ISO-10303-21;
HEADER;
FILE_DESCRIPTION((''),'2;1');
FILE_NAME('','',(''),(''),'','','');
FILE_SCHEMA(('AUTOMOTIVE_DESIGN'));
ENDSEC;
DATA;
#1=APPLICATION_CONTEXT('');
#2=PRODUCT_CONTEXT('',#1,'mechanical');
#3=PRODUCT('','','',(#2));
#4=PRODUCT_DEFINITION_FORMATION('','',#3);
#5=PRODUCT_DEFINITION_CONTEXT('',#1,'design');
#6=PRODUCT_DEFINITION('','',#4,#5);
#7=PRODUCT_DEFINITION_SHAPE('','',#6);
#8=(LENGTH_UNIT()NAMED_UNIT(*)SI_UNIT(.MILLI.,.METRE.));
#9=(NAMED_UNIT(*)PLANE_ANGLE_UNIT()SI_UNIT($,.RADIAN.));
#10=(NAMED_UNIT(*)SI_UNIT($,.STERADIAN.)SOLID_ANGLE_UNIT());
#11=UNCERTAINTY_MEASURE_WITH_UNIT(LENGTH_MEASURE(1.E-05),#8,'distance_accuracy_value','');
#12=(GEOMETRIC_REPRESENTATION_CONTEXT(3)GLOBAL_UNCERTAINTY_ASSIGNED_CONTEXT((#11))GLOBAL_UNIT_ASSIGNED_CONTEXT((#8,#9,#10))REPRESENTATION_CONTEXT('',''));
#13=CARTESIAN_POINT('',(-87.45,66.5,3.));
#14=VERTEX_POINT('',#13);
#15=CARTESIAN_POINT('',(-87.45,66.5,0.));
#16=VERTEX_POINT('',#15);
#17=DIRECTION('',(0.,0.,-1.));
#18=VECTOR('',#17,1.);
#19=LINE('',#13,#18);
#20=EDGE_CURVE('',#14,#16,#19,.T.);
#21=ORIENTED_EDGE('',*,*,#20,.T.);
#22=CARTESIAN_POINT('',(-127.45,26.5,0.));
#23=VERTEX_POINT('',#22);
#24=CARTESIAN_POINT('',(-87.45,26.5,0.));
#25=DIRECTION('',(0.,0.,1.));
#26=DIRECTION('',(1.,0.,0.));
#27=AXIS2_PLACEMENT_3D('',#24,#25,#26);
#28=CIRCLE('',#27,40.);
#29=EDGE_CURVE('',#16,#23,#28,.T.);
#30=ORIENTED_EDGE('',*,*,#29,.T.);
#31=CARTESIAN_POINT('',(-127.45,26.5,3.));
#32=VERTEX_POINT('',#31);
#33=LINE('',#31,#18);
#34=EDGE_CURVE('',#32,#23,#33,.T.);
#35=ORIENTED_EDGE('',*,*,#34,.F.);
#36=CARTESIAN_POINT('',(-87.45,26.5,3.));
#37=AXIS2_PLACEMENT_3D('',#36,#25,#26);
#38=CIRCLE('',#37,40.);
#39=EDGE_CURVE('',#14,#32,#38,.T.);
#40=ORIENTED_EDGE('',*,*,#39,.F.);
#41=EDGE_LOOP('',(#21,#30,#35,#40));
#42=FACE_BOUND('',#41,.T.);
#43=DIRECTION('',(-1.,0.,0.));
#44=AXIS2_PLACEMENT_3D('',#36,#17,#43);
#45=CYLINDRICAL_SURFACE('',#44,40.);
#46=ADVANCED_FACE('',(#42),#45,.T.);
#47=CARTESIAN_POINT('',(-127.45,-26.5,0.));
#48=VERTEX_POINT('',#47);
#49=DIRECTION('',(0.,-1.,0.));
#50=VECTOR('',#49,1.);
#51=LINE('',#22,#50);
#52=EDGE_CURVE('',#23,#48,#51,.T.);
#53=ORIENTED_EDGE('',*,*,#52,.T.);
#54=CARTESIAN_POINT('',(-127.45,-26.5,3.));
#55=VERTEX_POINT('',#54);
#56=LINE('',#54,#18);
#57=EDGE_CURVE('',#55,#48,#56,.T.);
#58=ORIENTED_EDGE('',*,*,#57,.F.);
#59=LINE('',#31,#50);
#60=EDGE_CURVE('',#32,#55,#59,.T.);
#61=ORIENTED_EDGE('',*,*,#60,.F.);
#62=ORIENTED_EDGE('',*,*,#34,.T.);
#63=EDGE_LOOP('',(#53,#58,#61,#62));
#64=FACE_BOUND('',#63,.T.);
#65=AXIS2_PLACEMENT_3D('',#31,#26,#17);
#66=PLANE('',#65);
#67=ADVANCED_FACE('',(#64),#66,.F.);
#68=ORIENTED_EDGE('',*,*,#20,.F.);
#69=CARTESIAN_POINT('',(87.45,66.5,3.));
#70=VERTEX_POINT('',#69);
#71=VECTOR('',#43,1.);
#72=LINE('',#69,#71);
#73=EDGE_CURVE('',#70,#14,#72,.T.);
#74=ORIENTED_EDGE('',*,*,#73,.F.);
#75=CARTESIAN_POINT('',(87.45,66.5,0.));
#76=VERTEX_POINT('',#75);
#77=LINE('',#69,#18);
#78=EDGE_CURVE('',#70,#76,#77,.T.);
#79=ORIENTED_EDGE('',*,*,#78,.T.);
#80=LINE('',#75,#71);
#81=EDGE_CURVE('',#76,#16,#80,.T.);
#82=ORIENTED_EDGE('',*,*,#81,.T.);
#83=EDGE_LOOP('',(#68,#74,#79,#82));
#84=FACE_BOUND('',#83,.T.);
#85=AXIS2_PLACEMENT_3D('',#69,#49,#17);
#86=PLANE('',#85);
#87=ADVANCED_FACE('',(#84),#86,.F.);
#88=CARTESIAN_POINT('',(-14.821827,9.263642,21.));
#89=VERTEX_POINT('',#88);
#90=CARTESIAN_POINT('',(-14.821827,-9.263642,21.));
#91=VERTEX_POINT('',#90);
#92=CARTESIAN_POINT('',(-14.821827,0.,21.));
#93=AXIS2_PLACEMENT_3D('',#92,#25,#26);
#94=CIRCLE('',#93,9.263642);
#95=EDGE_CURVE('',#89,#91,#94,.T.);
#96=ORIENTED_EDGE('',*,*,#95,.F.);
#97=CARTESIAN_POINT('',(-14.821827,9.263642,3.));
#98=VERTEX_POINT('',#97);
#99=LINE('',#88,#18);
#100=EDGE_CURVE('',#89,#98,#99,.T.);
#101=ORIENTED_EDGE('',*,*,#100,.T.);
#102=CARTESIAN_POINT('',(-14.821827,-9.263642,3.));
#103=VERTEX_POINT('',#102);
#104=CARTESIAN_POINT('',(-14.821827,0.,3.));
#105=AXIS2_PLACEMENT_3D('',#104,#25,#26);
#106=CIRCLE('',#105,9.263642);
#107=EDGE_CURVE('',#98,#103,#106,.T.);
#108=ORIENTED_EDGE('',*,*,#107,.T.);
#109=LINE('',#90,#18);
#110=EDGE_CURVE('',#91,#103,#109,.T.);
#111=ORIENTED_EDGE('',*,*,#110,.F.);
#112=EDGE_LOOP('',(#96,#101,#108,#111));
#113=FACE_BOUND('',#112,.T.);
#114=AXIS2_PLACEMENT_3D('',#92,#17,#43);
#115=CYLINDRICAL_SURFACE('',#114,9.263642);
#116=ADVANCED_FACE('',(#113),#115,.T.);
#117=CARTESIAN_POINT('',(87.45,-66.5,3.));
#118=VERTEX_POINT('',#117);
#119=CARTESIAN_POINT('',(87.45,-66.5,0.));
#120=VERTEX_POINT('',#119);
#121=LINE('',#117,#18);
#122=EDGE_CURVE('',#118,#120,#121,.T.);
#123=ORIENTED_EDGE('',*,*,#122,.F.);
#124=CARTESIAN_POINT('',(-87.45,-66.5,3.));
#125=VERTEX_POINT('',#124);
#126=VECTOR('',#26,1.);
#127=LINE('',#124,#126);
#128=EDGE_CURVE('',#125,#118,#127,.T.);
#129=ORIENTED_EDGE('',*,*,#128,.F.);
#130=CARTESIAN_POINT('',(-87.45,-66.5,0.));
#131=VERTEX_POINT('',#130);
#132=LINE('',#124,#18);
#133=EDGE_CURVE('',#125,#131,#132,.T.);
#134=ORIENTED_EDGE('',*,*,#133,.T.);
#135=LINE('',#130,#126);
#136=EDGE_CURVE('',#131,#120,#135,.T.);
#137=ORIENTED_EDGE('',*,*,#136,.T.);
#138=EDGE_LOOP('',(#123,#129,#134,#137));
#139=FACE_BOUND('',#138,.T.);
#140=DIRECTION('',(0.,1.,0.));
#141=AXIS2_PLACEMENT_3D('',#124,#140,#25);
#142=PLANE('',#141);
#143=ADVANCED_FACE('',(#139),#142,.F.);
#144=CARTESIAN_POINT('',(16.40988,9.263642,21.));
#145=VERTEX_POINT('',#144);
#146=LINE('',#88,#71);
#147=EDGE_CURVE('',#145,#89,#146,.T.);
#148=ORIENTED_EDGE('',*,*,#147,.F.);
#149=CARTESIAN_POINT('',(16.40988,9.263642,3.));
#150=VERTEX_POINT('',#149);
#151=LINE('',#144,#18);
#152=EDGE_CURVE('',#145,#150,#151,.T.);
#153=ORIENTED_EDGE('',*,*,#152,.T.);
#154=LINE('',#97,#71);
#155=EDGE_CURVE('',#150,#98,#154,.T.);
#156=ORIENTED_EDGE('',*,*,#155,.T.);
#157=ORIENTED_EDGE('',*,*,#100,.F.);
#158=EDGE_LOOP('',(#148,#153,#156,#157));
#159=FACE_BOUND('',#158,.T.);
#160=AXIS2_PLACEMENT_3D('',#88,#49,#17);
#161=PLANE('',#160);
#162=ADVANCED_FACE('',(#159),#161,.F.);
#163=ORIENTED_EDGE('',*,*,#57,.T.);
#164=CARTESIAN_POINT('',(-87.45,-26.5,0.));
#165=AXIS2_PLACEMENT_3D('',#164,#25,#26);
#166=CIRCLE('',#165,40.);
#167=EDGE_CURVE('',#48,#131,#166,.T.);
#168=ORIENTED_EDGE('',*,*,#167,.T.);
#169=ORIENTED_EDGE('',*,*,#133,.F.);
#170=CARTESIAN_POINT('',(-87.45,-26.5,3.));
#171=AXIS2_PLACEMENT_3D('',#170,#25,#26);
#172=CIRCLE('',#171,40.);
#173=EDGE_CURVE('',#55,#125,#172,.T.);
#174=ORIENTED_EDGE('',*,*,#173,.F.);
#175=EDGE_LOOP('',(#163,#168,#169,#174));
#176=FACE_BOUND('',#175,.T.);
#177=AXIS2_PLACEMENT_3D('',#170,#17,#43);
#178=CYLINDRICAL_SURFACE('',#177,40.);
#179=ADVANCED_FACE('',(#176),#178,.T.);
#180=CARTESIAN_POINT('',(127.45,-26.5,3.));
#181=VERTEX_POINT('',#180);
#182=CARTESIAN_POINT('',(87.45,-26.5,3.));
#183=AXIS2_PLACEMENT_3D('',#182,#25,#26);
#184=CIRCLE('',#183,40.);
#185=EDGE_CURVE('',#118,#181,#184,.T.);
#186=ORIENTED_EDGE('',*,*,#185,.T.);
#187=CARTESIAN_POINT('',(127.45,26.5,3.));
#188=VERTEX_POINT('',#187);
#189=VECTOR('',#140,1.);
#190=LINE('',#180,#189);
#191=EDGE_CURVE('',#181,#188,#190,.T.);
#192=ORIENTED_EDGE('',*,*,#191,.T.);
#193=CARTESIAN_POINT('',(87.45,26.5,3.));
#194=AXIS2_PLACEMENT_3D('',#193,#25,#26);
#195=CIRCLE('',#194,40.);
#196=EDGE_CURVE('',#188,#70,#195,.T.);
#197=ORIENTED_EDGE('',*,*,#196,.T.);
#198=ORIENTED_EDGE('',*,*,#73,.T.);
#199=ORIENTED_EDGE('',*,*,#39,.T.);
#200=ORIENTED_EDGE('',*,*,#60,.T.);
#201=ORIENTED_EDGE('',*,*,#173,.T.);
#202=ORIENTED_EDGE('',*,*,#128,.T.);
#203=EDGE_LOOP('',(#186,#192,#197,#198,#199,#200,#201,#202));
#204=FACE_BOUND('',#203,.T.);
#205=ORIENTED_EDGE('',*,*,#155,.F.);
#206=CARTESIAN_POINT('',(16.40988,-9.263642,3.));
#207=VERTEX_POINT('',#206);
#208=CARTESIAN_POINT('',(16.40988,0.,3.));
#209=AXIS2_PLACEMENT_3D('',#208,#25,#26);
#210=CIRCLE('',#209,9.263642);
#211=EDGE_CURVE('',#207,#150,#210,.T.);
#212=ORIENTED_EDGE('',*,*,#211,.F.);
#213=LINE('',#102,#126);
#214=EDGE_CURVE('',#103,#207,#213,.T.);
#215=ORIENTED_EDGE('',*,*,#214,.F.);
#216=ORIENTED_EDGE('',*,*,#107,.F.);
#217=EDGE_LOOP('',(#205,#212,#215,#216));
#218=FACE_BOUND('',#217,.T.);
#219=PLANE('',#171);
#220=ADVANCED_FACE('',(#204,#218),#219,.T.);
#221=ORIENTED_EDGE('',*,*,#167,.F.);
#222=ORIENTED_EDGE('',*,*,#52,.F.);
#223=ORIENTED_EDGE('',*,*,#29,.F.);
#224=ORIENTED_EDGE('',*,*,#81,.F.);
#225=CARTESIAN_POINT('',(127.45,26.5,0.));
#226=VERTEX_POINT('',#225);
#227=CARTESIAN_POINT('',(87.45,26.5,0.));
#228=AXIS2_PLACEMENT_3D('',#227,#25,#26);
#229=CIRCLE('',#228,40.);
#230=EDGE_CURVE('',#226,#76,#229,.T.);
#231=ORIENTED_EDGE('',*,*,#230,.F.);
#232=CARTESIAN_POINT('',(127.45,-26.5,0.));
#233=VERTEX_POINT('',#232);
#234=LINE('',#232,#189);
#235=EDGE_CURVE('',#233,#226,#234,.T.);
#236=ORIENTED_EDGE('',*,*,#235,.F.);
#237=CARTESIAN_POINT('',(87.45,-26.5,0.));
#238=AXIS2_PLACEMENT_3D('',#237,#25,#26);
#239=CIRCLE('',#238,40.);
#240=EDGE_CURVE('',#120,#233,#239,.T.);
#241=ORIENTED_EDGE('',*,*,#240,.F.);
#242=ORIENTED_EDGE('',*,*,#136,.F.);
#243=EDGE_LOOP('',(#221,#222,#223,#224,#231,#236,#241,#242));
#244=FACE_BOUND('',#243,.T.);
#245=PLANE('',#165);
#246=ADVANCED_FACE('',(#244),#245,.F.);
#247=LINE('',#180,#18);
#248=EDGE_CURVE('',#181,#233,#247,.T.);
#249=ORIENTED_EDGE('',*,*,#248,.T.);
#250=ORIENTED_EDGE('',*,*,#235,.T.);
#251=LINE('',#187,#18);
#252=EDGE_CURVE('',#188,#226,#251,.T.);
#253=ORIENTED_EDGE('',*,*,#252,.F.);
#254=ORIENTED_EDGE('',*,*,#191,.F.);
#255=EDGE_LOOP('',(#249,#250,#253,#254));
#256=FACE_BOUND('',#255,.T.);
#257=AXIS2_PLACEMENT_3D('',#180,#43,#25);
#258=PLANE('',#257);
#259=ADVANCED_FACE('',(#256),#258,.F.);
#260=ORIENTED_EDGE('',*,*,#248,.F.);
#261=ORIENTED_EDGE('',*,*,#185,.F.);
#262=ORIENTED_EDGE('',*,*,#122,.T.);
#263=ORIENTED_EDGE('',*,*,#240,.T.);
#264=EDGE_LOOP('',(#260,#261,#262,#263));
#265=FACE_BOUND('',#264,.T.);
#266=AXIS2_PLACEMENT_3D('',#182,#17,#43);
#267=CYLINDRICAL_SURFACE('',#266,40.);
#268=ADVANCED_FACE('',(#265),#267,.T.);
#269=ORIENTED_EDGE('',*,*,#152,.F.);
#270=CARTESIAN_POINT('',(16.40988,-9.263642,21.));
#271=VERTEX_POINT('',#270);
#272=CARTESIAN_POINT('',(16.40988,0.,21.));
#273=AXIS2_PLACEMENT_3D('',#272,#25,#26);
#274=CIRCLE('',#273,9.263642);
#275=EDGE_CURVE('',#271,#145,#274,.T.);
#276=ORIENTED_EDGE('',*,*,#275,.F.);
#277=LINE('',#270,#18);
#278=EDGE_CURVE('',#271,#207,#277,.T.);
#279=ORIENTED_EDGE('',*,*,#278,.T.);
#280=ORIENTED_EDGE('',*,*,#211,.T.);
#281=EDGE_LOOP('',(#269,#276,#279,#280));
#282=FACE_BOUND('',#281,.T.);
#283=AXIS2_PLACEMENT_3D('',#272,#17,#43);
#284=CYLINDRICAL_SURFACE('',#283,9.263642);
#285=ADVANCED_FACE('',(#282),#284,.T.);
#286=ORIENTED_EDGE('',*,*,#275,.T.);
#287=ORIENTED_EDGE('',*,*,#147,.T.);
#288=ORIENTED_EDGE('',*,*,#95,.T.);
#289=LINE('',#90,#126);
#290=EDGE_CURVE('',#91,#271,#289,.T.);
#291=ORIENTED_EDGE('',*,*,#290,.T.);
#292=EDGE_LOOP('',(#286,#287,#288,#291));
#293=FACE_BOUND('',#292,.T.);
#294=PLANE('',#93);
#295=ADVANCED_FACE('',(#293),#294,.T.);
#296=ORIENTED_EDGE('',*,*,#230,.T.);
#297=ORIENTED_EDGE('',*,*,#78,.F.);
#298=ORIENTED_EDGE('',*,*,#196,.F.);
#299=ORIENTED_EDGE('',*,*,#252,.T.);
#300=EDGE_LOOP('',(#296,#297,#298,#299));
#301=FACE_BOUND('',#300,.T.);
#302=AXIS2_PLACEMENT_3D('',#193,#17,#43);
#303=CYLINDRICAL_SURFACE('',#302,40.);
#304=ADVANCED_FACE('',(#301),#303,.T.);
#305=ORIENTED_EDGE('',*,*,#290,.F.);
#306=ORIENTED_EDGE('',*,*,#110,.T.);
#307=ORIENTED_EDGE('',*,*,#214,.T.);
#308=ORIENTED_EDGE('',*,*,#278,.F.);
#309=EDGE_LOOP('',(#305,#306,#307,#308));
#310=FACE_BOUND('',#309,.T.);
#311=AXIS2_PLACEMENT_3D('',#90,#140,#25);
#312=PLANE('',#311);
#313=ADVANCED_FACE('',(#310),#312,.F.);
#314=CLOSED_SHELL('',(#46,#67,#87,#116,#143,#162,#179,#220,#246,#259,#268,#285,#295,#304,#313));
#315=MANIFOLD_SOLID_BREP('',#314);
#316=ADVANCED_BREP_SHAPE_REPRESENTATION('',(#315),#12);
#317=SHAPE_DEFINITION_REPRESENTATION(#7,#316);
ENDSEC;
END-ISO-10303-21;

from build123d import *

# Parameters (mm, degrees)
EXTRUDE_1_DEPTH = 3
EXTRUDE_2_DEPTH = 18


with BuildPart() as part:
    # 草图1 → 凸台-拉伸1 (new body)
    with BuildSketch(Plane.XY):
        with BuildLine():
            Line((87.45, 66.5), (-87.45, 66.5))
            ThreePointArc((-87.45, 66.5), (-115.734271247, 54.784271247), (-127.45, 26.5))
            Line((-127.45, 26.5), (-127.45, -26.5))
            ThreePointArc((-127.45, -26.5), (-115.734271247, -54.784271247), (-87.45, -66.5))
            Line((-87.45, -66.5), (87.45, -66.5))
            ThreePointArc((87.45, -66.5), (115.734271247, -54.784271247), (127.45, -26.5))
            Line((127.45, -26.5), (127.45, 26.5))
            ThreePointArc((127.45, 26.5), (115.734271247, 54.784271247), (87.45, 66.5))
        make_face()
    extrude(amount=EXTRUDE_1_DEPTH)

    # 草图2 → 凸台-拉伸2 (add)
    with BuildSketch(Plane.XY.offset(3)):
        with BuildLine():
            Line((-14.821826733, 9.263641708), (16.409879597, 9.263641708))
            ThreePointArc((16.409879597, 9.263641708), (25.673521305, 0), (16.409879597, -9.263641708))
            Line((16.409879597, -9.263641708), (-14.821826733, -9.263641708))
            ThreePointArc((-14.821826733, -9.263641708), (-24.085468441, 0), (-14.821826733, 9.263641708))
        make_face()
    extrude(amount=EXTRUDE_2_DEPTH)


solid = part.part
